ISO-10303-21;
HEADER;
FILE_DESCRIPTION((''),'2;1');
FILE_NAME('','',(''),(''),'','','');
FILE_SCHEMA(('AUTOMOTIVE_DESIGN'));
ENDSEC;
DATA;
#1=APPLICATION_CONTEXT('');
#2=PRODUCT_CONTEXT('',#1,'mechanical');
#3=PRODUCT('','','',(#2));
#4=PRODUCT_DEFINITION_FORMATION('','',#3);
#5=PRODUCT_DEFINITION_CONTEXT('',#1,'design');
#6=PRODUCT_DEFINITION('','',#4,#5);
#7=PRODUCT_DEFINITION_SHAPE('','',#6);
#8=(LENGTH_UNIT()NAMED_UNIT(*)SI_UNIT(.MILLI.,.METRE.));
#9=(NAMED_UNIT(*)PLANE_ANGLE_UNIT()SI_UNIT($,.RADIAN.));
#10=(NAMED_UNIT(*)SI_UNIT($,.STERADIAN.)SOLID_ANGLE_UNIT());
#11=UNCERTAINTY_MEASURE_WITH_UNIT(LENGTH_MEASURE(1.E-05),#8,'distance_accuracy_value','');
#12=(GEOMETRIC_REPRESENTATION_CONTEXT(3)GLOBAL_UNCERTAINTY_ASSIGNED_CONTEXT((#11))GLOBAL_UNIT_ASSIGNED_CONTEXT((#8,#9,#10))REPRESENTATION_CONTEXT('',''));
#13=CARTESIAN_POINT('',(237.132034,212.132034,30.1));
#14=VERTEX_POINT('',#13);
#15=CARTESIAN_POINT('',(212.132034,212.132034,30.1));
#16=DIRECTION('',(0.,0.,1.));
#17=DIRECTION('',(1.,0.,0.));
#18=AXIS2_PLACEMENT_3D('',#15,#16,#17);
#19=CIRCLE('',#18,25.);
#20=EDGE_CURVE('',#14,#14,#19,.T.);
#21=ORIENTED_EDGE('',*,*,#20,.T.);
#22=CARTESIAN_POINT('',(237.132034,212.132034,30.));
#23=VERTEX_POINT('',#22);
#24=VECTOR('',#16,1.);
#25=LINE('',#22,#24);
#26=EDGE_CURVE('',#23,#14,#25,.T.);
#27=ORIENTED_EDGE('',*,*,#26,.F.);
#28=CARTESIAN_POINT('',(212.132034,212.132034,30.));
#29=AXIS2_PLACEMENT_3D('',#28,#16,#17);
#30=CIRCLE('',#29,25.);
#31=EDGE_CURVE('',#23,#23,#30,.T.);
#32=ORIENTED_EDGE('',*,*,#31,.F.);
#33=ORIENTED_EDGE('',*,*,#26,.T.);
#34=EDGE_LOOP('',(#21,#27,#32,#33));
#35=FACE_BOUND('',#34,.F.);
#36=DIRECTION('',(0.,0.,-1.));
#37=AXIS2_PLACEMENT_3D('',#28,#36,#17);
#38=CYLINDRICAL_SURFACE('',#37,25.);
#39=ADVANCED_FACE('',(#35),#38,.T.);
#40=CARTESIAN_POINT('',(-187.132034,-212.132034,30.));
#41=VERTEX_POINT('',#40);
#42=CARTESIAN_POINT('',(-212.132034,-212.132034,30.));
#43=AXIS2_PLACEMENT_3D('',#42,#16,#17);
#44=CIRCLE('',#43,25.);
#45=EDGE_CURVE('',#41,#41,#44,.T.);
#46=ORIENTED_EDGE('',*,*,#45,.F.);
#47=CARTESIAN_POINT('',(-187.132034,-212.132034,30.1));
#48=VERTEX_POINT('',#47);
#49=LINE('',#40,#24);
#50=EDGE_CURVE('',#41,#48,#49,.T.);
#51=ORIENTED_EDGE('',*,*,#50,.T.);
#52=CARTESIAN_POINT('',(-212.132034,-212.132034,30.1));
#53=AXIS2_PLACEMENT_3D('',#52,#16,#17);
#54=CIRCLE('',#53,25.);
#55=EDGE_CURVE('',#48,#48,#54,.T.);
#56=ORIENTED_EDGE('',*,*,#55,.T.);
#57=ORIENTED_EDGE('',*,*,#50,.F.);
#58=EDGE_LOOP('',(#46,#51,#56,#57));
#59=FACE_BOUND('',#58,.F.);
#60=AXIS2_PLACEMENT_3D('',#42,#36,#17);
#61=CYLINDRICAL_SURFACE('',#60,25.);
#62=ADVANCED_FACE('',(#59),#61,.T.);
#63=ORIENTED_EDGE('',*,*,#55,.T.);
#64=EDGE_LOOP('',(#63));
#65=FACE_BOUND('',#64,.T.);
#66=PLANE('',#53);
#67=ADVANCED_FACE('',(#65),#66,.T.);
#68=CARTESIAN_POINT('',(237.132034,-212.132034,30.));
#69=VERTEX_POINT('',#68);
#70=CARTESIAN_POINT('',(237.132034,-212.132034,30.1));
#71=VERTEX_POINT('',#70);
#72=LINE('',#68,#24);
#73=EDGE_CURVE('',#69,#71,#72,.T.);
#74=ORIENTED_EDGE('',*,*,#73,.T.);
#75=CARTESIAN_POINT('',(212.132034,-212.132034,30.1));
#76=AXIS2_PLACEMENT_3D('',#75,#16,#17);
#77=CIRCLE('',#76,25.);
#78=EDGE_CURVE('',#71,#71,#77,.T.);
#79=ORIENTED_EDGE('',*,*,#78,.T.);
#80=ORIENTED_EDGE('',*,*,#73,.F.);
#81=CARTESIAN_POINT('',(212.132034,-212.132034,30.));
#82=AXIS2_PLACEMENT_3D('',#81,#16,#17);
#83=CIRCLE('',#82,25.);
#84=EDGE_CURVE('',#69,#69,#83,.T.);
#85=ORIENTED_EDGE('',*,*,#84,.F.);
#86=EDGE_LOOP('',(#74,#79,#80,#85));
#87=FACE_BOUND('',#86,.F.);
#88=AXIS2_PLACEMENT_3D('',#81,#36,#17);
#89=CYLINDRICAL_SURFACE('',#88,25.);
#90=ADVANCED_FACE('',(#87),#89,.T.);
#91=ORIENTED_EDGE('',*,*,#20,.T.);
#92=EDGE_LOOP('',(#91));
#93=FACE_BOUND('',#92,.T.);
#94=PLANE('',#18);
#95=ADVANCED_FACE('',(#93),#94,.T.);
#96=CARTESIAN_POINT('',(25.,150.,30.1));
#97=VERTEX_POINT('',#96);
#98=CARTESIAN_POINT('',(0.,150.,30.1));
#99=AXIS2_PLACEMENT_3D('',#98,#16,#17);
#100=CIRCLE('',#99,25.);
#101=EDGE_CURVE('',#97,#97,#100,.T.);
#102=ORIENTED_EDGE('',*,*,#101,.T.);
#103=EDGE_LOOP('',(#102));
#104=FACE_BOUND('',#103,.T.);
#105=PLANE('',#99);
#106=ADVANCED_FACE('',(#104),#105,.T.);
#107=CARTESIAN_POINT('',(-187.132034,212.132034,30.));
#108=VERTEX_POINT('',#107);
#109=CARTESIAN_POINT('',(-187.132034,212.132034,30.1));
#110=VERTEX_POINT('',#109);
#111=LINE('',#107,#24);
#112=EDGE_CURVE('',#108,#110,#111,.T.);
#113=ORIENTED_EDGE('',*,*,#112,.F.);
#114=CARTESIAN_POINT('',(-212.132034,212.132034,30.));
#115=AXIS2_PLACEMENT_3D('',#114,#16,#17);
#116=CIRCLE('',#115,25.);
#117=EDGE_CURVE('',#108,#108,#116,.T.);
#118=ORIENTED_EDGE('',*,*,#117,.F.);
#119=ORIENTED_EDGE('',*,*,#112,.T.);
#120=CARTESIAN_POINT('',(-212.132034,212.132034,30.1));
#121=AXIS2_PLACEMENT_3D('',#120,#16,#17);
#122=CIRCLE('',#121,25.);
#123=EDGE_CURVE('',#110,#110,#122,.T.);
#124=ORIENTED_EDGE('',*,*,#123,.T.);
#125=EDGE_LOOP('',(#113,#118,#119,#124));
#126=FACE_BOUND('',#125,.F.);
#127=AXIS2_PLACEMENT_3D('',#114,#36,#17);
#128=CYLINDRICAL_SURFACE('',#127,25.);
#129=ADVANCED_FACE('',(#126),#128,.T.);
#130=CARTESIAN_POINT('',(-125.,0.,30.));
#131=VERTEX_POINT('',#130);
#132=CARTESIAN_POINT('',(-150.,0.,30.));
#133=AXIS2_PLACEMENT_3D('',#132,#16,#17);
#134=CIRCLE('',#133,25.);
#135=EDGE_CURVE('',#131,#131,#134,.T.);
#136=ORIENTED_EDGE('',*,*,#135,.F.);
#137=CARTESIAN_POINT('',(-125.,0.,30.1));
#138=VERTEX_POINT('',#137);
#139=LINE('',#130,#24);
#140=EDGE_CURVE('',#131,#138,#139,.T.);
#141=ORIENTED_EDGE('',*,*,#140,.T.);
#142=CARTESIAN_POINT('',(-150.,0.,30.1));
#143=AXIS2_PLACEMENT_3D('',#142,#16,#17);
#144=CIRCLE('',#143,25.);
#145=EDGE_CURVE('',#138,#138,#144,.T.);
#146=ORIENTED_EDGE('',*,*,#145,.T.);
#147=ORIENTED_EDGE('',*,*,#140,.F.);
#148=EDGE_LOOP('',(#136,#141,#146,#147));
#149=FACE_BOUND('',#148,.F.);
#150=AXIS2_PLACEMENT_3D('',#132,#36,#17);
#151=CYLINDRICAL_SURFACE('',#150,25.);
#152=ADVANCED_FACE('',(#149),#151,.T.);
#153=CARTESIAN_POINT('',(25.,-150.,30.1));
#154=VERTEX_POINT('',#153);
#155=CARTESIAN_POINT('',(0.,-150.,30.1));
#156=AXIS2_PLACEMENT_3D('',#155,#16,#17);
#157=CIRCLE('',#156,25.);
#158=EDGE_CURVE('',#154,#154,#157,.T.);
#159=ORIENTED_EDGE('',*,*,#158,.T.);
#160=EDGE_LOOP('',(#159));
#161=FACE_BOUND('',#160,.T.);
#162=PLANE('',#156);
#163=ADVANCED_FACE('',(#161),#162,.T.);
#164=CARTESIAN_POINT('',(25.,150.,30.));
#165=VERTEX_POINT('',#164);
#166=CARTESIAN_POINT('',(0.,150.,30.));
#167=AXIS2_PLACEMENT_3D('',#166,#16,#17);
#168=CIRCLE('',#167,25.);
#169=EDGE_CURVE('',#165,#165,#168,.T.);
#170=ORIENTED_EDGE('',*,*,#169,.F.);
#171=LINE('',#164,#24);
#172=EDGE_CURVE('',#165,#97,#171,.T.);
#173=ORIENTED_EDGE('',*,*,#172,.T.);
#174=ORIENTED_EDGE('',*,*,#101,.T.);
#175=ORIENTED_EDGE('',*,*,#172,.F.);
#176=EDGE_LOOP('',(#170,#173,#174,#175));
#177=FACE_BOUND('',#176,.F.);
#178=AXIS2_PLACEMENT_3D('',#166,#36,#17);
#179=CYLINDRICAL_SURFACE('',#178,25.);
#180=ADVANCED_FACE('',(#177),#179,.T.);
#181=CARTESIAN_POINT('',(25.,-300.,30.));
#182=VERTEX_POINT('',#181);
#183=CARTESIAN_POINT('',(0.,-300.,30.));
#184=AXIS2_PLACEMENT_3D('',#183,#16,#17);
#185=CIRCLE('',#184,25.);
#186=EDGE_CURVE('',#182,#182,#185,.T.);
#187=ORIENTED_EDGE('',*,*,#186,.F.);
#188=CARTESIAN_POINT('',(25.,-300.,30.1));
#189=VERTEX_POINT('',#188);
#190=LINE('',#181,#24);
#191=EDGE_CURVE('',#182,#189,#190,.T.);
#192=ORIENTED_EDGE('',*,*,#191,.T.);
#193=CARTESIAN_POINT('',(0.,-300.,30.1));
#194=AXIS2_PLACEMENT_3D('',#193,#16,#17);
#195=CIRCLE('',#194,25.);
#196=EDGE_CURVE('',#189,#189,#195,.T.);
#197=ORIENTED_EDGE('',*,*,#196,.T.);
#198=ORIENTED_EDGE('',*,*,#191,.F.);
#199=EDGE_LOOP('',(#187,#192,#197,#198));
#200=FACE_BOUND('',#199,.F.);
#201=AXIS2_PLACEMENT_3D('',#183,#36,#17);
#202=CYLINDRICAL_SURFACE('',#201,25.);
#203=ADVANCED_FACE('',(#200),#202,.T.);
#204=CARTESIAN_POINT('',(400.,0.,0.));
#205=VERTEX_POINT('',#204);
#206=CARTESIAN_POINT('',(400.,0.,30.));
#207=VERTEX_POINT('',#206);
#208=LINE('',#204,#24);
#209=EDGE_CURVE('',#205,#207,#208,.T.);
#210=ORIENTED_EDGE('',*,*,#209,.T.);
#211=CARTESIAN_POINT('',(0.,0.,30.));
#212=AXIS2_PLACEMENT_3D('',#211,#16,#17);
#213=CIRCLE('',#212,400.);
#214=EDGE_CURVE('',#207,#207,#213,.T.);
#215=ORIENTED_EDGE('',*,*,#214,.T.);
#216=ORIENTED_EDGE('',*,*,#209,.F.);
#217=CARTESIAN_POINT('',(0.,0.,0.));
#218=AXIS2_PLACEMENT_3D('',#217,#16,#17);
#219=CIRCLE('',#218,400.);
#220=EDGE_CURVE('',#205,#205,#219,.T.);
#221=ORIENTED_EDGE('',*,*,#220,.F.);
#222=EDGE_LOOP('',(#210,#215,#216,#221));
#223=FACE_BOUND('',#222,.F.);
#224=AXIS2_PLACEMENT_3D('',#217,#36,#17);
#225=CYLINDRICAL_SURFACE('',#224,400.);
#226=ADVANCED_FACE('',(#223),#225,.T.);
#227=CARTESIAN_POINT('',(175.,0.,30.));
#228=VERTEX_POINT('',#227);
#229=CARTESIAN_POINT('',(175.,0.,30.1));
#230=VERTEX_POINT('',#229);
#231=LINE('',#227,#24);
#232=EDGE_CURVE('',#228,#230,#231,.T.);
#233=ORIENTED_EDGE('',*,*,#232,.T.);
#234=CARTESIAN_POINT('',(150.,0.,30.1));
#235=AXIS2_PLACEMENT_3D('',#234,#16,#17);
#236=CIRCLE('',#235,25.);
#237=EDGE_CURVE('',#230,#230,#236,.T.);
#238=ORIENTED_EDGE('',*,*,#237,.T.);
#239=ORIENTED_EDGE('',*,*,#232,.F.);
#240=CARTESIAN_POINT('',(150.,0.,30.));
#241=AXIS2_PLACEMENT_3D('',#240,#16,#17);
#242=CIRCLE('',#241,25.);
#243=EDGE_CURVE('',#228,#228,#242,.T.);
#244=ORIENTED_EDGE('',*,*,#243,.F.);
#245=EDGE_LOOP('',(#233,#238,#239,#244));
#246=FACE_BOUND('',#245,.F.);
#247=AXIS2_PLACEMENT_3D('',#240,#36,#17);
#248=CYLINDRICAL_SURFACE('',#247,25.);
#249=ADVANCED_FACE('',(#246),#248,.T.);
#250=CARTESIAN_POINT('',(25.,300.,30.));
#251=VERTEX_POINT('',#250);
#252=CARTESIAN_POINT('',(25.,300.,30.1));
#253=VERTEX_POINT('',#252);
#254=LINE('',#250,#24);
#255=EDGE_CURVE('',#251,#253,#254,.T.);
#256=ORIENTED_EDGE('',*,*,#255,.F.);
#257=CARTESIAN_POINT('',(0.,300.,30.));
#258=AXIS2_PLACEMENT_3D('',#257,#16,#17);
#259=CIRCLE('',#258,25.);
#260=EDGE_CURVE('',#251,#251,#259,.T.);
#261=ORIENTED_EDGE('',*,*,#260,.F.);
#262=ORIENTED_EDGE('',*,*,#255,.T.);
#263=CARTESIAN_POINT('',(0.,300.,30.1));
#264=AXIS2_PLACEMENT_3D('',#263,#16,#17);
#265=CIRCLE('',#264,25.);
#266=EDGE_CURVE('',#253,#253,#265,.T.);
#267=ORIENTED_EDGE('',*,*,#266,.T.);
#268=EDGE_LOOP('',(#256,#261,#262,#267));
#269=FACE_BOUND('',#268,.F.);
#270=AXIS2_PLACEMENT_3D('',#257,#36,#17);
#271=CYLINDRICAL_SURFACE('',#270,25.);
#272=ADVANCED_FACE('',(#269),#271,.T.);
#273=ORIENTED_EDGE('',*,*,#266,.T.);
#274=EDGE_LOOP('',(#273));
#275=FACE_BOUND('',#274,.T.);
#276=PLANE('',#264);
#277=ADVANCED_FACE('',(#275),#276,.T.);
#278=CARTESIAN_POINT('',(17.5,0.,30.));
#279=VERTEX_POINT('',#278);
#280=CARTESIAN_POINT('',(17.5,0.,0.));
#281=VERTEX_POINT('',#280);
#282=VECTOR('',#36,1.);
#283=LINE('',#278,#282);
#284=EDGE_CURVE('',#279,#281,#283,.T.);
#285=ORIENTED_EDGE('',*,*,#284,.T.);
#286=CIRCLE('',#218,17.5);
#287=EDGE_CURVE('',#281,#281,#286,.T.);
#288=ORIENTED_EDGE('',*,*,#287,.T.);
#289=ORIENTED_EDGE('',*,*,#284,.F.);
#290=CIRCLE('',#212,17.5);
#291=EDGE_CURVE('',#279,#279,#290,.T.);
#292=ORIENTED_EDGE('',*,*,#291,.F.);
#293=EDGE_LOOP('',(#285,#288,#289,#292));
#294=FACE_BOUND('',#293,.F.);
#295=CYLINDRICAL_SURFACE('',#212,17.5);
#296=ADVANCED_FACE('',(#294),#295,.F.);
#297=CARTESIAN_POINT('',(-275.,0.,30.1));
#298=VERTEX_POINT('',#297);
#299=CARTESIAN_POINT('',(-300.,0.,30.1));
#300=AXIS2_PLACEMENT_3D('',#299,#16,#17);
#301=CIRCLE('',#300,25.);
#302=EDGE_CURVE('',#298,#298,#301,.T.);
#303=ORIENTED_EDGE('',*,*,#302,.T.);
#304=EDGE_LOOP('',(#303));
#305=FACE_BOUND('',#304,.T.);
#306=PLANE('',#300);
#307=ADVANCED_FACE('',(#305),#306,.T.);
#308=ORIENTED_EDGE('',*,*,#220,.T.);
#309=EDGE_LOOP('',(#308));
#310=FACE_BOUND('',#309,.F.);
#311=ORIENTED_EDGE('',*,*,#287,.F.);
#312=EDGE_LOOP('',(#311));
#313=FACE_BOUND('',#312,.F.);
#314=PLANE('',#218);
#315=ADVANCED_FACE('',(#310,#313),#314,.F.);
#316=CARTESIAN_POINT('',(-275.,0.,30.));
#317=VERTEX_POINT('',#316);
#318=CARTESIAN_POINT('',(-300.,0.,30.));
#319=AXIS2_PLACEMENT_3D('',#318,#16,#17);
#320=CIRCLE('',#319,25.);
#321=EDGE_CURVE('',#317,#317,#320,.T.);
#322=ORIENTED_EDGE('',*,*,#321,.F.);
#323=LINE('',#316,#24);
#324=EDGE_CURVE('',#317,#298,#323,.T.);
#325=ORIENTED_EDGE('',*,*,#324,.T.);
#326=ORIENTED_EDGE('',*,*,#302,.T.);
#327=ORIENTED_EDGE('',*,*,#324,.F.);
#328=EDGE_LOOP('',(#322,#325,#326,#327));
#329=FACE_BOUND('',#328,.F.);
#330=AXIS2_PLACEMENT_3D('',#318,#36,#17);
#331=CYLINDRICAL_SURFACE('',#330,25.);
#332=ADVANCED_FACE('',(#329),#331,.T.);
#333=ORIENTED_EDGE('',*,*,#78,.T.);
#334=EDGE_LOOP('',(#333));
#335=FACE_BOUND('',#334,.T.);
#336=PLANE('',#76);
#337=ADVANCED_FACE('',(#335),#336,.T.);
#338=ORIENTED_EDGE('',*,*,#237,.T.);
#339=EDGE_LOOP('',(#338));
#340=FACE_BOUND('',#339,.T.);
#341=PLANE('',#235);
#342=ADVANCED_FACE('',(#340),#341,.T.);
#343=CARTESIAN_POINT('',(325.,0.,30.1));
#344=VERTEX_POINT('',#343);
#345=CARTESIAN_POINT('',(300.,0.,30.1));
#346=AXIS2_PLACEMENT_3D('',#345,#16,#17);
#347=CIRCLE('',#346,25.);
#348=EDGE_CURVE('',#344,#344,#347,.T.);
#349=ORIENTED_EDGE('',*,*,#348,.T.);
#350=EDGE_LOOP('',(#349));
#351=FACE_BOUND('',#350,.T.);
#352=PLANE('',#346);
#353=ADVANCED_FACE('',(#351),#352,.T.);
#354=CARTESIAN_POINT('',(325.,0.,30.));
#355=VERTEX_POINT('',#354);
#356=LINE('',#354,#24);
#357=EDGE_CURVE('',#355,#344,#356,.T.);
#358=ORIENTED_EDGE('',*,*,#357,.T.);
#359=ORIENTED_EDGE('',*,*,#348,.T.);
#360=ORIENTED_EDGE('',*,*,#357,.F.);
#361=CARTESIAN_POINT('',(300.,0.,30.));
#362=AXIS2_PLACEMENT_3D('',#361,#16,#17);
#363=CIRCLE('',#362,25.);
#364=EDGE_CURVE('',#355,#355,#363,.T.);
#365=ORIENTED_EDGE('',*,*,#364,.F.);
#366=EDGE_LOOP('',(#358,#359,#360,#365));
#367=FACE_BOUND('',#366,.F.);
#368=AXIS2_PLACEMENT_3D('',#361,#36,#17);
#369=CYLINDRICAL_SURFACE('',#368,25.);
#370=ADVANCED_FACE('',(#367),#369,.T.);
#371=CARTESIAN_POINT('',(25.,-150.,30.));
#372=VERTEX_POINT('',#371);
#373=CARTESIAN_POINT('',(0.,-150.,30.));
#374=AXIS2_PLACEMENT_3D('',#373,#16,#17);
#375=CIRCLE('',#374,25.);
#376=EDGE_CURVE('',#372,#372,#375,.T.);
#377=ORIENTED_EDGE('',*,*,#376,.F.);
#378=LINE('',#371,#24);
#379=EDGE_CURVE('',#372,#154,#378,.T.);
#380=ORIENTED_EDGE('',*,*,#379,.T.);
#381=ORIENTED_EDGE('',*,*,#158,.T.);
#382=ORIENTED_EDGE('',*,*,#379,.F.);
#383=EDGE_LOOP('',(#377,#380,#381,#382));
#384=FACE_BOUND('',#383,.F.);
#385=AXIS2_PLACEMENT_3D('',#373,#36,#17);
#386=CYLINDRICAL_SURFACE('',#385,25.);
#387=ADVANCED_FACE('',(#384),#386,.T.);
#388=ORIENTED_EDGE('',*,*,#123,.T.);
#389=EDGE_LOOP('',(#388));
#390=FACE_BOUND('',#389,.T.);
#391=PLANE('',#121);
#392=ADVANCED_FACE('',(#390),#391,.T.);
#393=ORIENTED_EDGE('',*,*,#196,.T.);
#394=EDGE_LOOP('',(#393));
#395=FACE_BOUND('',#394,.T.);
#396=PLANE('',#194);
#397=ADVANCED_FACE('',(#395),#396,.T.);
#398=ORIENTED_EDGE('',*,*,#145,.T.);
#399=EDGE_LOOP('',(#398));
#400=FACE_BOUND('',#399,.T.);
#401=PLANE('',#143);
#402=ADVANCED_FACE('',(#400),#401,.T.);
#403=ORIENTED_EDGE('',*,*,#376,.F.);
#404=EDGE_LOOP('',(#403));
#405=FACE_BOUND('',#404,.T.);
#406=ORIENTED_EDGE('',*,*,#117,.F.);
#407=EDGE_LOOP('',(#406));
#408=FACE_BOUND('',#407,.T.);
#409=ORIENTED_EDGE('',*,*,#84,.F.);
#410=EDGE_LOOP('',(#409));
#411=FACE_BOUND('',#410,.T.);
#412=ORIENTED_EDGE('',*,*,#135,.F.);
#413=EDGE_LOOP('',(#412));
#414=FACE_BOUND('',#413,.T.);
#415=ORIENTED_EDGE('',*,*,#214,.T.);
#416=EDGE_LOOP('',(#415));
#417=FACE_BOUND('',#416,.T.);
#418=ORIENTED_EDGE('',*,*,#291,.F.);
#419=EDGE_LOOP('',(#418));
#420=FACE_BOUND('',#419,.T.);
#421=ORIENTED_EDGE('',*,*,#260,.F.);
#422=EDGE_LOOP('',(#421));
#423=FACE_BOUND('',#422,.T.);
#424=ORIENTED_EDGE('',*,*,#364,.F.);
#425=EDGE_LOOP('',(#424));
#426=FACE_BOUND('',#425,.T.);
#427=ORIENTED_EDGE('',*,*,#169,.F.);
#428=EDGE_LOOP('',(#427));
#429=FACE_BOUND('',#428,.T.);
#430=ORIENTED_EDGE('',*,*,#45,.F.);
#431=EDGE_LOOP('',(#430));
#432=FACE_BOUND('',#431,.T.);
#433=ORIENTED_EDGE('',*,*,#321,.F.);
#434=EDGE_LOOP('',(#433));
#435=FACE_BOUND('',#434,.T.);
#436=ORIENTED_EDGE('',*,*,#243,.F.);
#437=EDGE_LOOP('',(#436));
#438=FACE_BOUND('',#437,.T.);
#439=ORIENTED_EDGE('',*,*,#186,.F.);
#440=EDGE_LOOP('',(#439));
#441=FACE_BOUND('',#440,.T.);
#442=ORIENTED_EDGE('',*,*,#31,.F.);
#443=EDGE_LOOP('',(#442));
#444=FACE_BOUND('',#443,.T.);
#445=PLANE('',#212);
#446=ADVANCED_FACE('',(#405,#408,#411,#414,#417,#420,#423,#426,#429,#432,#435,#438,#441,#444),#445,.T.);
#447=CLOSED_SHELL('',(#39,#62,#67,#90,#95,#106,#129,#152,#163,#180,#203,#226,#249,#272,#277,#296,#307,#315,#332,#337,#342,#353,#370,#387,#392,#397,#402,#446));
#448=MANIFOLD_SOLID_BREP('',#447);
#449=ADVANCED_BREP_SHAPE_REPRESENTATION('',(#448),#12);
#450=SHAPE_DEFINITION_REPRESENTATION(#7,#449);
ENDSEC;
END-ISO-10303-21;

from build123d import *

# Parameters (mm, degrees)
F0_R     = 400
F1_DEPTH = 30
F3_R     = 25
F4_DEPTH = 0.1
F5_R     = 17.5
F6_DEPTH = 60


with BuildPart() as f1:
    # F0 (on Top) → F1 (new body)
    with BuildSketch(Plane.XY):
        Circle(F0_R)
    extrude(amount=F1_DEPTH)

    # F3 (on face) → F4 (join)
    with BuildSketch(Plane.XY.offset(30)):
        with Locations((212.132034, 212.132034)):
            Circle(F3_R)
        with Locations((212.132034, -212.132034)):
            Circle(F3_R)
        with Locations((-212.132034, -212.132034)):
            Circle(F3_R)
        with Locations((-212.132034, 212.132034)):
            Circle(F3_R)
        with Locations((0, 150)):
            Circle(F3_R)
        with Locations((0, -150)):
            Circle(F3_R)
        with Locations((150, 0)):
            Circle(F3_R)
        with Locations((-150, 0)):
            Circle(F3_R)
        with Locations((0, 300)):
            Circle(F3_R)
        with Locations((300, 0)):
            Circle(F3_R)
        with Locations((0, -300)):
            Circle(F3_R)
        with Locations((-300, 0)):
            Circle(F3_R)
    extrude(amount=F4_DEPTH)

    # F5 (on face) → F6 (cut)
    with BuildSketch(Plane.XY.offset(30)):
        Circle(F5_R)
    extrude(amount=-F6_DEPTH, mode=Mode.SUBTRACT)


solid = f1.part
